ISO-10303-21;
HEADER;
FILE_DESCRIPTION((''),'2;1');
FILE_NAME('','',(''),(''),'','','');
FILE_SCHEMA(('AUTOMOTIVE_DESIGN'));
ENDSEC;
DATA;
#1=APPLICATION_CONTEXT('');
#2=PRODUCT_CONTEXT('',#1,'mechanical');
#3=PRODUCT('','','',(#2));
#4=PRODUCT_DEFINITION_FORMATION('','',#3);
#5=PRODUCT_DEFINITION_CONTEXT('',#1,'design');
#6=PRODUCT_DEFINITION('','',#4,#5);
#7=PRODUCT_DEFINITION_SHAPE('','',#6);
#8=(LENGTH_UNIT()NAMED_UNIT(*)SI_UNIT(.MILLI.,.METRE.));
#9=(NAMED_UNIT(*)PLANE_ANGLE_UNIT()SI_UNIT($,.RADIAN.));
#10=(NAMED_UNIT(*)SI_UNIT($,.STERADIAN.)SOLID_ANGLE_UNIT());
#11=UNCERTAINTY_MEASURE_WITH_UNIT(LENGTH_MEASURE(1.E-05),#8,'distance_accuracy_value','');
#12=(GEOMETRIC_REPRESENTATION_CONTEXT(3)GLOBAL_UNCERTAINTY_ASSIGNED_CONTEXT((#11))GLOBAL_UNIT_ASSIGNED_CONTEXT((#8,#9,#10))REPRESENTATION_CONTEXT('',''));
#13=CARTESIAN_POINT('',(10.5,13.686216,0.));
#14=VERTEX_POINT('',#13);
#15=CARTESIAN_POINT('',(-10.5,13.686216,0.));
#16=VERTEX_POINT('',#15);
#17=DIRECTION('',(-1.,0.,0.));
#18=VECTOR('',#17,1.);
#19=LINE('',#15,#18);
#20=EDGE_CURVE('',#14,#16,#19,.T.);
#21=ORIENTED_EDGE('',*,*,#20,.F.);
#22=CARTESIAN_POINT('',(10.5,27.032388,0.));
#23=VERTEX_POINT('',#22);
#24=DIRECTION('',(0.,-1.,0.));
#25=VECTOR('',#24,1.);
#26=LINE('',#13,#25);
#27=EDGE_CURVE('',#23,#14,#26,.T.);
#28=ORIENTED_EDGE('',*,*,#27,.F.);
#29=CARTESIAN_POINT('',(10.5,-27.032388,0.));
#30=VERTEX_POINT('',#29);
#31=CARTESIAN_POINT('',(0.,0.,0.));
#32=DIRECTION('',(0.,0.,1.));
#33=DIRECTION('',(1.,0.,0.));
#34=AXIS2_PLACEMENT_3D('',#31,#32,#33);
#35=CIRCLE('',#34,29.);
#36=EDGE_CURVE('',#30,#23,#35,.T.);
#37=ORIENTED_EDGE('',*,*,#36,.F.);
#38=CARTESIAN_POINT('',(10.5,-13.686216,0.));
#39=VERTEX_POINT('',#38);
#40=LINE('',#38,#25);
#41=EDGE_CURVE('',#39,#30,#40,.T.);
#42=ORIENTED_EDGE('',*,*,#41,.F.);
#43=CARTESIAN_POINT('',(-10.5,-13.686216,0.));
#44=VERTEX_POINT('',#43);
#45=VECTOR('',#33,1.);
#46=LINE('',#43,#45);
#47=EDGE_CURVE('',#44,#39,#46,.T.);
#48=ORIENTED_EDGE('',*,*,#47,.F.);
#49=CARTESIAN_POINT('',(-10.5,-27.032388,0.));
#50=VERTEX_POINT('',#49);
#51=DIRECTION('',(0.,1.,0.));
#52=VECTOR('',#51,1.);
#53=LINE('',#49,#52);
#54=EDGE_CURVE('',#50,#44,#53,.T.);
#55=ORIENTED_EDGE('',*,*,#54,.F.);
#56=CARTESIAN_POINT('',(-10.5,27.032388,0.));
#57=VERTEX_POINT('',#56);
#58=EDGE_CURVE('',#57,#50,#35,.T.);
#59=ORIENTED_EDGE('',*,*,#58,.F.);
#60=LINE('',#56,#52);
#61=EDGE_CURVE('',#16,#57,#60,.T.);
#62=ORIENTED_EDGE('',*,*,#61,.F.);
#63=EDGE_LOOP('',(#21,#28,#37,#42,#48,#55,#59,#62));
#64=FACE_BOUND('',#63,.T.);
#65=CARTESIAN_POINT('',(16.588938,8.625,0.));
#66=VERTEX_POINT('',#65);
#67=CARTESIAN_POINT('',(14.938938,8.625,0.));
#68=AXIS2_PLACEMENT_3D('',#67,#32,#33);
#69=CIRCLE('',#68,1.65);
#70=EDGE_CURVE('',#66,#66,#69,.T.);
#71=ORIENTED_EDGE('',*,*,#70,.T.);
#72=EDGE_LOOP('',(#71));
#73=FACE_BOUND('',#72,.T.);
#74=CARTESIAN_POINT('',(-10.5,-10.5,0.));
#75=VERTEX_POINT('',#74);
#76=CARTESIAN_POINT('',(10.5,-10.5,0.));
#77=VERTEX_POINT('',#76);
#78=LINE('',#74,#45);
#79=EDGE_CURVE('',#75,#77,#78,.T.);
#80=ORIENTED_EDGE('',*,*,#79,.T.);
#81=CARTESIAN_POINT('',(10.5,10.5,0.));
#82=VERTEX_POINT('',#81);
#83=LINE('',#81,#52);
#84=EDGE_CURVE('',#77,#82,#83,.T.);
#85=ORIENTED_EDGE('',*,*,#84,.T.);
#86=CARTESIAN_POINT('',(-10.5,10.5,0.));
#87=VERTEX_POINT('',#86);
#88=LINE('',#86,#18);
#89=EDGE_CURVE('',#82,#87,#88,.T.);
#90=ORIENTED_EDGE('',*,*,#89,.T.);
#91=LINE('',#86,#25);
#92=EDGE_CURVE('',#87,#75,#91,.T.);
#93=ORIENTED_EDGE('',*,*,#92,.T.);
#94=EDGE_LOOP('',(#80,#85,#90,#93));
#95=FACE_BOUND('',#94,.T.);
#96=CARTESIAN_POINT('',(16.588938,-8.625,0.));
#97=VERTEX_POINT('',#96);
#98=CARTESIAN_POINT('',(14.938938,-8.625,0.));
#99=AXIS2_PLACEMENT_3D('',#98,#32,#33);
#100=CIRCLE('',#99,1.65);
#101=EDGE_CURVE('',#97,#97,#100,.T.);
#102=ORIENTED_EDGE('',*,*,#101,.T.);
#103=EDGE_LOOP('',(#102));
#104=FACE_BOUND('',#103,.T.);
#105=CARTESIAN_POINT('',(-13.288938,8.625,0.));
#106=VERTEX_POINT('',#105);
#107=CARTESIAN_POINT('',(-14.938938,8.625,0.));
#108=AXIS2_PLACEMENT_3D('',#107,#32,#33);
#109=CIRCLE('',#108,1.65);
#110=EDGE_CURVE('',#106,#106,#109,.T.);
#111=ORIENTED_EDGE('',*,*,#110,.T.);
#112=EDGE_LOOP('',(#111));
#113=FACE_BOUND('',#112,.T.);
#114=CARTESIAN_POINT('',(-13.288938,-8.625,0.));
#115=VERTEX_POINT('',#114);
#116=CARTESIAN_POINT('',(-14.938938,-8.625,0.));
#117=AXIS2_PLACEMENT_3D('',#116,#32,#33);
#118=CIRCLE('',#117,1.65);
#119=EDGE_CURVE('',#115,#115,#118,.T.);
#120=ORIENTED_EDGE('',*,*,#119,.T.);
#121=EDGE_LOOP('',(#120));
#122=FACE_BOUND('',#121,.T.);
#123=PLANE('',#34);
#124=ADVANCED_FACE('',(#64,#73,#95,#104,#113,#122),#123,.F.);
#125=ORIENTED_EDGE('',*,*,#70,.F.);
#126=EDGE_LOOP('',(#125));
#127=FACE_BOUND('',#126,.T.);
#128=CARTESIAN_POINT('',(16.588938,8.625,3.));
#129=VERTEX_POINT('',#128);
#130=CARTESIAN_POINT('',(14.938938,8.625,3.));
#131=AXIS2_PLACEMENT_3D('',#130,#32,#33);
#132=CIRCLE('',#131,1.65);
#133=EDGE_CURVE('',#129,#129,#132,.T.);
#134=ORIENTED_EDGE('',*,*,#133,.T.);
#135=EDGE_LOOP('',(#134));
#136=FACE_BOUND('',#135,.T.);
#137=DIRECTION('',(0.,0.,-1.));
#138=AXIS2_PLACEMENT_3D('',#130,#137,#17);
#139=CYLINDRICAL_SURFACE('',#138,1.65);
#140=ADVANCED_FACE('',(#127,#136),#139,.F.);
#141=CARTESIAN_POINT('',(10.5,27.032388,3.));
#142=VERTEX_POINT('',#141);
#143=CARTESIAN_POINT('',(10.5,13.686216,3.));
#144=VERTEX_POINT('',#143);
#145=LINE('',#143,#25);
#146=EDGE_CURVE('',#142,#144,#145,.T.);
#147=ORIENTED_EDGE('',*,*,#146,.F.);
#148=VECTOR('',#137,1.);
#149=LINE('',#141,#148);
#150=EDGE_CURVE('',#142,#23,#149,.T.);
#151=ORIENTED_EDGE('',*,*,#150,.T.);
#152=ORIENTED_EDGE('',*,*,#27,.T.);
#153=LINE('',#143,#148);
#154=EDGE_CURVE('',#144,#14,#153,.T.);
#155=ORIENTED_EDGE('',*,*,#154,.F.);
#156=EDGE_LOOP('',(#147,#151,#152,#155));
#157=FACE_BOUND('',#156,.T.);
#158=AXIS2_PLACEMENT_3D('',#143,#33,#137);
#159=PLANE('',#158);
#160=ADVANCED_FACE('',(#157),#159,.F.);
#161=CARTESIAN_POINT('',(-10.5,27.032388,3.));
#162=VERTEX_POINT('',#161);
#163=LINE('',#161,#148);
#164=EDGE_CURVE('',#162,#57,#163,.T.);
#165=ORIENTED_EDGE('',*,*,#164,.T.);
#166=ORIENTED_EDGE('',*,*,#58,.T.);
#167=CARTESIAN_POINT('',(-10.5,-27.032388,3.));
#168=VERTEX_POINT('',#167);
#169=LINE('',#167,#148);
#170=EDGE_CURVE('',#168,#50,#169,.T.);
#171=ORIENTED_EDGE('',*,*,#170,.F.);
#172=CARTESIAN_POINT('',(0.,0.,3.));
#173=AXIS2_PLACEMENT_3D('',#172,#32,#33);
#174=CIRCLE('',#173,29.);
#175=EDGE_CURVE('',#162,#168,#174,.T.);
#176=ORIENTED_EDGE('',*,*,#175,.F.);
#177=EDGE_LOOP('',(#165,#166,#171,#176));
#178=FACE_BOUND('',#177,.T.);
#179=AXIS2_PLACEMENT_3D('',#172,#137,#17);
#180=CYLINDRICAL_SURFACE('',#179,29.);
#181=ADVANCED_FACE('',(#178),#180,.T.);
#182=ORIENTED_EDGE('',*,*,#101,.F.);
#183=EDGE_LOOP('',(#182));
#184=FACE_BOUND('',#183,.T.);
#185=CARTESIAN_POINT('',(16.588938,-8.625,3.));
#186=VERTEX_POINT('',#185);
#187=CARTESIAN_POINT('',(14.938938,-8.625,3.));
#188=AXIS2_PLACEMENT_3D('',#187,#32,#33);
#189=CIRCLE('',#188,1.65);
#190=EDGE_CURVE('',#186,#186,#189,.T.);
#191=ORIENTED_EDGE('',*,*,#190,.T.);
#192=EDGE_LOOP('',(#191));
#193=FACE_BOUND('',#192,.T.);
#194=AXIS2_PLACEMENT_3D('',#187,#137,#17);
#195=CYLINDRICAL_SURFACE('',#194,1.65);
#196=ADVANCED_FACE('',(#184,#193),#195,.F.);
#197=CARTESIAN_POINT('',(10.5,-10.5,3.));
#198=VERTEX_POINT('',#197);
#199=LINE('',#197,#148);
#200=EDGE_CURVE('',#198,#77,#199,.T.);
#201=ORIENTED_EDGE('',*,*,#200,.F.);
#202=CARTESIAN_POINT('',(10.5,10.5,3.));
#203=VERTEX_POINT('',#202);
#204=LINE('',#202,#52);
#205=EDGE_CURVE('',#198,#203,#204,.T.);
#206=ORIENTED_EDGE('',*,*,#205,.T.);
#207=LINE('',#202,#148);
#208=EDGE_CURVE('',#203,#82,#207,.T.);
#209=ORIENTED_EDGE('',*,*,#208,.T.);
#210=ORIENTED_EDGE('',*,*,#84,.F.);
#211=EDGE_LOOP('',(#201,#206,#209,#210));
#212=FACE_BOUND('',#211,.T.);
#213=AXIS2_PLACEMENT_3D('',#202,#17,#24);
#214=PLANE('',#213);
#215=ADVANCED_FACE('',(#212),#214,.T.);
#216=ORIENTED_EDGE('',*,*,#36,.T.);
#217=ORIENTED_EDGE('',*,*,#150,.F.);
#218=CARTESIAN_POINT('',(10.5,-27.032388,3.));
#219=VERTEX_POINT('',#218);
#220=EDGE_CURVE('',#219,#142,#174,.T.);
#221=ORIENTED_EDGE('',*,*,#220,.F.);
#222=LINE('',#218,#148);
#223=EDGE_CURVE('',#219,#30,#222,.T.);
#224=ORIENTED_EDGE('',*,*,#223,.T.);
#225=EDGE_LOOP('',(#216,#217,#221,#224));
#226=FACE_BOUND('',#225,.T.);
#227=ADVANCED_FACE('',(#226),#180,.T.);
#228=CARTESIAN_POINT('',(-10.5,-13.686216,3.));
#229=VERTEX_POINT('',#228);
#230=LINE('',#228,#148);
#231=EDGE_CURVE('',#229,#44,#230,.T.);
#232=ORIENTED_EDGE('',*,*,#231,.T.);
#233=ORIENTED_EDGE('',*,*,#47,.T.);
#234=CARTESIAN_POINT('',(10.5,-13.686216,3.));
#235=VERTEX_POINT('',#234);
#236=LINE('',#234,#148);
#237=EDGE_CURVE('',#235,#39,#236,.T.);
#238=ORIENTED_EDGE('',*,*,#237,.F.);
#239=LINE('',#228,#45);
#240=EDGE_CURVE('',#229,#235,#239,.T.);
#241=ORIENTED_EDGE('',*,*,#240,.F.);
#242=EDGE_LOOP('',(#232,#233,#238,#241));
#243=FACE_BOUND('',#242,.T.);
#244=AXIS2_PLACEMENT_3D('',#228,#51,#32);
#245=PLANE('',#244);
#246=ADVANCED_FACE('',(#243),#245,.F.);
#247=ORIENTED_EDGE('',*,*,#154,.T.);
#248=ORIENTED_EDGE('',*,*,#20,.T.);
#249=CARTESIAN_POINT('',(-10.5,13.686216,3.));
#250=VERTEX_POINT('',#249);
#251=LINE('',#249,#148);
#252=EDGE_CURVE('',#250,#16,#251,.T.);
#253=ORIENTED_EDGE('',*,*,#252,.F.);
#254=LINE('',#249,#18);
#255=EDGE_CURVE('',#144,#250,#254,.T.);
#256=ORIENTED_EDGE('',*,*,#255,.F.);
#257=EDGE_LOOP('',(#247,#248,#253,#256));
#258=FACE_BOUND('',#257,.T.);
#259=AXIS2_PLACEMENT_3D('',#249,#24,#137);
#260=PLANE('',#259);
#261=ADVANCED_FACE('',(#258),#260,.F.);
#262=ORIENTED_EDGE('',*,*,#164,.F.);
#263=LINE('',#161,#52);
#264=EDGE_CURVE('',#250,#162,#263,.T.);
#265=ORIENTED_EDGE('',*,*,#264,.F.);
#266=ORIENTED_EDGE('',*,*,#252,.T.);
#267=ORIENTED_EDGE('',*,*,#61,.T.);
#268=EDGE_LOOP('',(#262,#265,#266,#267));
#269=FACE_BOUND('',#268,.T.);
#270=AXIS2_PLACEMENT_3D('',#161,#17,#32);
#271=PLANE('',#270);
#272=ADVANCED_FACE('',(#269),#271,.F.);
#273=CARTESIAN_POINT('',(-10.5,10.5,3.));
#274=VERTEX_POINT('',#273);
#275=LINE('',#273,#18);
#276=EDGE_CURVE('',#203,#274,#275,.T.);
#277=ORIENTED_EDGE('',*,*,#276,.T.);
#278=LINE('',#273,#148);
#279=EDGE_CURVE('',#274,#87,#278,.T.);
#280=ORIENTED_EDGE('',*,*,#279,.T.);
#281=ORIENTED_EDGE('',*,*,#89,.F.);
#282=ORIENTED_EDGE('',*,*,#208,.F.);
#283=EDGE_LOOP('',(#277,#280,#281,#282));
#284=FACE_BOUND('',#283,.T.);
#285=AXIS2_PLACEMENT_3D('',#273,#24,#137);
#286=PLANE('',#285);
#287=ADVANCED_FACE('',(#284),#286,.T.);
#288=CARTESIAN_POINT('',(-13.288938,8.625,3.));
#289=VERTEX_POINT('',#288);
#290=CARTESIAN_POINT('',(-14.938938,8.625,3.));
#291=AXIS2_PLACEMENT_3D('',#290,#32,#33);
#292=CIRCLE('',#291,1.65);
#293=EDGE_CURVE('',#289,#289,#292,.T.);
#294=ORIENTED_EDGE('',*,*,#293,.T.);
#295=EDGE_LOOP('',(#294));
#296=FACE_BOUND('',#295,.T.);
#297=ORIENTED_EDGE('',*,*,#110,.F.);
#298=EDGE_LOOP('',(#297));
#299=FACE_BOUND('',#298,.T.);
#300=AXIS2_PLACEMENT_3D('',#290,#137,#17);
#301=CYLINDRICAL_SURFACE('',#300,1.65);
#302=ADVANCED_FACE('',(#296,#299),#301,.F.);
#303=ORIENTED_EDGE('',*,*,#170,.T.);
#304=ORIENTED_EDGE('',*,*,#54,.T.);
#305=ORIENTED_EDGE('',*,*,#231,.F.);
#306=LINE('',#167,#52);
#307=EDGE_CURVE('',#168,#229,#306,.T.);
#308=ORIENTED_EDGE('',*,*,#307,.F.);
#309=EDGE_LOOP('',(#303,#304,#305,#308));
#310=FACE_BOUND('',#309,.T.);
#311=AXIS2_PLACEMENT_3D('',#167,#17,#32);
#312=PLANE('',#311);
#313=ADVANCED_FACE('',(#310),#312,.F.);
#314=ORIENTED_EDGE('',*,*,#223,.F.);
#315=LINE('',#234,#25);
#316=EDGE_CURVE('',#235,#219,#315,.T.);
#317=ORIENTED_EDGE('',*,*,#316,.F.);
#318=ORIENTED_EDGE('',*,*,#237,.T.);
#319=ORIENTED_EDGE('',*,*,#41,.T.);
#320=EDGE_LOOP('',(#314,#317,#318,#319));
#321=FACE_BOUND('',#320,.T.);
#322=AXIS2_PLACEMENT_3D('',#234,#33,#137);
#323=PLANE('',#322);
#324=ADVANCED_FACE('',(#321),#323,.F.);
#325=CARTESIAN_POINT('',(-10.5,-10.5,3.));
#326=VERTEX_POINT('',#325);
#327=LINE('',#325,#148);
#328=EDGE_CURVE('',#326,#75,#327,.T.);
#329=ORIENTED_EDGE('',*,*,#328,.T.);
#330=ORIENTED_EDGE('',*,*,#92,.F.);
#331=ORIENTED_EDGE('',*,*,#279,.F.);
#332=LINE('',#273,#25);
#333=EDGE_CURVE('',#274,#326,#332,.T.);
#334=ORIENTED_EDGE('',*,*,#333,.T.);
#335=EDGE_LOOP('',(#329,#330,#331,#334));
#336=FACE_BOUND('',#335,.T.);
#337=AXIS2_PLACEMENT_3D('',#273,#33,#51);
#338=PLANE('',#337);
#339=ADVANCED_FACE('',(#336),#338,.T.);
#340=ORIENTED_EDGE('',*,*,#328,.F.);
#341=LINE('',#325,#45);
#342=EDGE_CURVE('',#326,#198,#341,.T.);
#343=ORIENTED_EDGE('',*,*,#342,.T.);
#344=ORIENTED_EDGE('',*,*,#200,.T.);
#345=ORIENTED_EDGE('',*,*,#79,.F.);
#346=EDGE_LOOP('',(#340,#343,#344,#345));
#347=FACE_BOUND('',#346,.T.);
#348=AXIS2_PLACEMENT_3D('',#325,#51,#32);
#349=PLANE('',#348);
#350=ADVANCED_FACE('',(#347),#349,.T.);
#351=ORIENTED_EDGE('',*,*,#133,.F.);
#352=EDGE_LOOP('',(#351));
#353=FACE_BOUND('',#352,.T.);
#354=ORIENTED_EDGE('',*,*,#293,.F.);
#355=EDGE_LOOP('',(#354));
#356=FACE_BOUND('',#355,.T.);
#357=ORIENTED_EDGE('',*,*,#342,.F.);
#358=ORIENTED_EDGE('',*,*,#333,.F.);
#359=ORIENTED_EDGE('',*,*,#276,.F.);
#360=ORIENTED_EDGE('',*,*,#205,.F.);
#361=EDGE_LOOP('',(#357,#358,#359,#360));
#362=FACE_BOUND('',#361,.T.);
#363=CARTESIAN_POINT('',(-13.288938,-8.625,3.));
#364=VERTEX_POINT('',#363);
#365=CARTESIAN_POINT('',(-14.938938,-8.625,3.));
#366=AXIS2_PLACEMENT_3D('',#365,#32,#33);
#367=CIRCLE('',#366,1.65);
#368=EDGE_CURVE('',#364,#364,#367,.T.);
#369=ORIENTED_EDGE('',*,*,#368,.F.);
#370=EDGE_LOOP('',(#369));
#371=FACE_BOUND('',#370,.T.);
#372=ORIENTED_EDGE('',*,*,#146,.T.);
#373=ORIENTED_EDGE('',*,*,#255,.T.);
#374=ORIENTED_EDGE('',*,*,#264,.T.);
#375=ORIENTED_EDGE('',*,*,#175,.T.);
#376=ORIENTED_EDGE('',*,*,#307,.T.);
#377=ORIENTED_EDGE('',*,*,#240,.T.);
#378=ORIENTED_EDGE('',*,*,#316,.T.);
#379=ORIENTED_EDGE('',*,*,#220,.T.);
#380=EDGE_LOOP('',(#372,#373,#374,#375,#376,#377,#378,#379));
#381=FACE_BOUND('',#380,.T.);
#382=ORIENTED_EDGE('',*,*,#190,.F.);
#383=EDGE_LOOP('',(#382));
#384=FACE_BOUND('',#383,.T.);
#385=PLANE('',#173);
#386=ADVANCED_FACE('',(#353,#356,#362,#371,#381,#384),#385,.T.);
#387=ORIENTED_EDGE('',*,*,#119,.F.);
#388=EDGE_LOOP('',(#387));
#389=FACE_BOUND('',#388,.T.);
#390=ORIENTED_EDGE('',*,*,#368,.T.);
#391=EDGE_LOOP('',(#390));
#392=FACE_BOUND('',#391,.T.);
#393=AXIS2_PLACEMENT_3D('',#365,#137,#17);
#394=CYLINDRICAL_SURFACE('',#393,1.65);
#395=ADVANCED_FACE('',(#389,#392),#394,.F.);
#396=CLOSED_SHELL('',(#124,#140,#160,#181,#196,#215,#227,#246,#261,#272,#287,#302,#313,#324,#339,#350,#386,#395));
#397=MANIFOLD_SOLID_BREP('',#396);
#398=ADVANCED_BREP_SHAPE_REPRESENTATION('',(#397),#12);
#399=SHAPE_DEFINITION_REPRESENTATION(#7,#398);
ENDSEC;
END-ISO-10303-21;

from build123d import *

# Parameters (mm, degrees)
SKETCH_1_R      = 1.65
SKETCH_1_W      = 21
SKETCH_1_H      = 21
EXTRUDE_1_DEPTH = 3


with BuildPart() as part:
    # 草图1 → 凸台-拉伸1 (new body)
    with BuildSketch(Plane.XY):
        with BuildLine():
            Line((10.5, -13.686215693), (10.5, -27.032387982))
            ThreePointArc((10.5, -27.032387982), (29, 0), (10.5, 27.032387982))
            Line((10.5, 27.032387982), (10.5, 13.686215693))
            Line((10.5, 13.686215693), (-10.5, 13.686215693))
            Line((-10.5, 13.686215693), (-10.5, 27.032387982))
            ThreePointArc((-10.5, 27.032387982), (-29, 0), (-10.5, -27.032387982))
            Line((-10.5, -27.032387982), (-10.5, -13.686215693))
            Line((-10.5, -13.686215693), (10.5, -13.686215693))
        make_face()
        with Locations((14.938938215, 8.625)):
            Circle(SKETCH_1_R, mode=Mode.SUBTRACT)
        with Locations((14.938938215, -8.625)):
            Circle(SKETCH_1_R, mode=Mode.SUBTRACT)
        with Locations((-14.938938215, -8.625)):
            Circle(SKETCH_1_R, mode=Mode.SUBTRACT)
        with Locations((-14.938938215, 8.625)):
            Circle(SKETCH_1_R, mode=Mode.SUBTRACT)
        Rectangle(SKETCH_1_W, SKETCH_1_H, mode=Mode.SUBTRACT)
    extrude(amount=EXTRUDE_1_DEPTH)


solid = part.part
